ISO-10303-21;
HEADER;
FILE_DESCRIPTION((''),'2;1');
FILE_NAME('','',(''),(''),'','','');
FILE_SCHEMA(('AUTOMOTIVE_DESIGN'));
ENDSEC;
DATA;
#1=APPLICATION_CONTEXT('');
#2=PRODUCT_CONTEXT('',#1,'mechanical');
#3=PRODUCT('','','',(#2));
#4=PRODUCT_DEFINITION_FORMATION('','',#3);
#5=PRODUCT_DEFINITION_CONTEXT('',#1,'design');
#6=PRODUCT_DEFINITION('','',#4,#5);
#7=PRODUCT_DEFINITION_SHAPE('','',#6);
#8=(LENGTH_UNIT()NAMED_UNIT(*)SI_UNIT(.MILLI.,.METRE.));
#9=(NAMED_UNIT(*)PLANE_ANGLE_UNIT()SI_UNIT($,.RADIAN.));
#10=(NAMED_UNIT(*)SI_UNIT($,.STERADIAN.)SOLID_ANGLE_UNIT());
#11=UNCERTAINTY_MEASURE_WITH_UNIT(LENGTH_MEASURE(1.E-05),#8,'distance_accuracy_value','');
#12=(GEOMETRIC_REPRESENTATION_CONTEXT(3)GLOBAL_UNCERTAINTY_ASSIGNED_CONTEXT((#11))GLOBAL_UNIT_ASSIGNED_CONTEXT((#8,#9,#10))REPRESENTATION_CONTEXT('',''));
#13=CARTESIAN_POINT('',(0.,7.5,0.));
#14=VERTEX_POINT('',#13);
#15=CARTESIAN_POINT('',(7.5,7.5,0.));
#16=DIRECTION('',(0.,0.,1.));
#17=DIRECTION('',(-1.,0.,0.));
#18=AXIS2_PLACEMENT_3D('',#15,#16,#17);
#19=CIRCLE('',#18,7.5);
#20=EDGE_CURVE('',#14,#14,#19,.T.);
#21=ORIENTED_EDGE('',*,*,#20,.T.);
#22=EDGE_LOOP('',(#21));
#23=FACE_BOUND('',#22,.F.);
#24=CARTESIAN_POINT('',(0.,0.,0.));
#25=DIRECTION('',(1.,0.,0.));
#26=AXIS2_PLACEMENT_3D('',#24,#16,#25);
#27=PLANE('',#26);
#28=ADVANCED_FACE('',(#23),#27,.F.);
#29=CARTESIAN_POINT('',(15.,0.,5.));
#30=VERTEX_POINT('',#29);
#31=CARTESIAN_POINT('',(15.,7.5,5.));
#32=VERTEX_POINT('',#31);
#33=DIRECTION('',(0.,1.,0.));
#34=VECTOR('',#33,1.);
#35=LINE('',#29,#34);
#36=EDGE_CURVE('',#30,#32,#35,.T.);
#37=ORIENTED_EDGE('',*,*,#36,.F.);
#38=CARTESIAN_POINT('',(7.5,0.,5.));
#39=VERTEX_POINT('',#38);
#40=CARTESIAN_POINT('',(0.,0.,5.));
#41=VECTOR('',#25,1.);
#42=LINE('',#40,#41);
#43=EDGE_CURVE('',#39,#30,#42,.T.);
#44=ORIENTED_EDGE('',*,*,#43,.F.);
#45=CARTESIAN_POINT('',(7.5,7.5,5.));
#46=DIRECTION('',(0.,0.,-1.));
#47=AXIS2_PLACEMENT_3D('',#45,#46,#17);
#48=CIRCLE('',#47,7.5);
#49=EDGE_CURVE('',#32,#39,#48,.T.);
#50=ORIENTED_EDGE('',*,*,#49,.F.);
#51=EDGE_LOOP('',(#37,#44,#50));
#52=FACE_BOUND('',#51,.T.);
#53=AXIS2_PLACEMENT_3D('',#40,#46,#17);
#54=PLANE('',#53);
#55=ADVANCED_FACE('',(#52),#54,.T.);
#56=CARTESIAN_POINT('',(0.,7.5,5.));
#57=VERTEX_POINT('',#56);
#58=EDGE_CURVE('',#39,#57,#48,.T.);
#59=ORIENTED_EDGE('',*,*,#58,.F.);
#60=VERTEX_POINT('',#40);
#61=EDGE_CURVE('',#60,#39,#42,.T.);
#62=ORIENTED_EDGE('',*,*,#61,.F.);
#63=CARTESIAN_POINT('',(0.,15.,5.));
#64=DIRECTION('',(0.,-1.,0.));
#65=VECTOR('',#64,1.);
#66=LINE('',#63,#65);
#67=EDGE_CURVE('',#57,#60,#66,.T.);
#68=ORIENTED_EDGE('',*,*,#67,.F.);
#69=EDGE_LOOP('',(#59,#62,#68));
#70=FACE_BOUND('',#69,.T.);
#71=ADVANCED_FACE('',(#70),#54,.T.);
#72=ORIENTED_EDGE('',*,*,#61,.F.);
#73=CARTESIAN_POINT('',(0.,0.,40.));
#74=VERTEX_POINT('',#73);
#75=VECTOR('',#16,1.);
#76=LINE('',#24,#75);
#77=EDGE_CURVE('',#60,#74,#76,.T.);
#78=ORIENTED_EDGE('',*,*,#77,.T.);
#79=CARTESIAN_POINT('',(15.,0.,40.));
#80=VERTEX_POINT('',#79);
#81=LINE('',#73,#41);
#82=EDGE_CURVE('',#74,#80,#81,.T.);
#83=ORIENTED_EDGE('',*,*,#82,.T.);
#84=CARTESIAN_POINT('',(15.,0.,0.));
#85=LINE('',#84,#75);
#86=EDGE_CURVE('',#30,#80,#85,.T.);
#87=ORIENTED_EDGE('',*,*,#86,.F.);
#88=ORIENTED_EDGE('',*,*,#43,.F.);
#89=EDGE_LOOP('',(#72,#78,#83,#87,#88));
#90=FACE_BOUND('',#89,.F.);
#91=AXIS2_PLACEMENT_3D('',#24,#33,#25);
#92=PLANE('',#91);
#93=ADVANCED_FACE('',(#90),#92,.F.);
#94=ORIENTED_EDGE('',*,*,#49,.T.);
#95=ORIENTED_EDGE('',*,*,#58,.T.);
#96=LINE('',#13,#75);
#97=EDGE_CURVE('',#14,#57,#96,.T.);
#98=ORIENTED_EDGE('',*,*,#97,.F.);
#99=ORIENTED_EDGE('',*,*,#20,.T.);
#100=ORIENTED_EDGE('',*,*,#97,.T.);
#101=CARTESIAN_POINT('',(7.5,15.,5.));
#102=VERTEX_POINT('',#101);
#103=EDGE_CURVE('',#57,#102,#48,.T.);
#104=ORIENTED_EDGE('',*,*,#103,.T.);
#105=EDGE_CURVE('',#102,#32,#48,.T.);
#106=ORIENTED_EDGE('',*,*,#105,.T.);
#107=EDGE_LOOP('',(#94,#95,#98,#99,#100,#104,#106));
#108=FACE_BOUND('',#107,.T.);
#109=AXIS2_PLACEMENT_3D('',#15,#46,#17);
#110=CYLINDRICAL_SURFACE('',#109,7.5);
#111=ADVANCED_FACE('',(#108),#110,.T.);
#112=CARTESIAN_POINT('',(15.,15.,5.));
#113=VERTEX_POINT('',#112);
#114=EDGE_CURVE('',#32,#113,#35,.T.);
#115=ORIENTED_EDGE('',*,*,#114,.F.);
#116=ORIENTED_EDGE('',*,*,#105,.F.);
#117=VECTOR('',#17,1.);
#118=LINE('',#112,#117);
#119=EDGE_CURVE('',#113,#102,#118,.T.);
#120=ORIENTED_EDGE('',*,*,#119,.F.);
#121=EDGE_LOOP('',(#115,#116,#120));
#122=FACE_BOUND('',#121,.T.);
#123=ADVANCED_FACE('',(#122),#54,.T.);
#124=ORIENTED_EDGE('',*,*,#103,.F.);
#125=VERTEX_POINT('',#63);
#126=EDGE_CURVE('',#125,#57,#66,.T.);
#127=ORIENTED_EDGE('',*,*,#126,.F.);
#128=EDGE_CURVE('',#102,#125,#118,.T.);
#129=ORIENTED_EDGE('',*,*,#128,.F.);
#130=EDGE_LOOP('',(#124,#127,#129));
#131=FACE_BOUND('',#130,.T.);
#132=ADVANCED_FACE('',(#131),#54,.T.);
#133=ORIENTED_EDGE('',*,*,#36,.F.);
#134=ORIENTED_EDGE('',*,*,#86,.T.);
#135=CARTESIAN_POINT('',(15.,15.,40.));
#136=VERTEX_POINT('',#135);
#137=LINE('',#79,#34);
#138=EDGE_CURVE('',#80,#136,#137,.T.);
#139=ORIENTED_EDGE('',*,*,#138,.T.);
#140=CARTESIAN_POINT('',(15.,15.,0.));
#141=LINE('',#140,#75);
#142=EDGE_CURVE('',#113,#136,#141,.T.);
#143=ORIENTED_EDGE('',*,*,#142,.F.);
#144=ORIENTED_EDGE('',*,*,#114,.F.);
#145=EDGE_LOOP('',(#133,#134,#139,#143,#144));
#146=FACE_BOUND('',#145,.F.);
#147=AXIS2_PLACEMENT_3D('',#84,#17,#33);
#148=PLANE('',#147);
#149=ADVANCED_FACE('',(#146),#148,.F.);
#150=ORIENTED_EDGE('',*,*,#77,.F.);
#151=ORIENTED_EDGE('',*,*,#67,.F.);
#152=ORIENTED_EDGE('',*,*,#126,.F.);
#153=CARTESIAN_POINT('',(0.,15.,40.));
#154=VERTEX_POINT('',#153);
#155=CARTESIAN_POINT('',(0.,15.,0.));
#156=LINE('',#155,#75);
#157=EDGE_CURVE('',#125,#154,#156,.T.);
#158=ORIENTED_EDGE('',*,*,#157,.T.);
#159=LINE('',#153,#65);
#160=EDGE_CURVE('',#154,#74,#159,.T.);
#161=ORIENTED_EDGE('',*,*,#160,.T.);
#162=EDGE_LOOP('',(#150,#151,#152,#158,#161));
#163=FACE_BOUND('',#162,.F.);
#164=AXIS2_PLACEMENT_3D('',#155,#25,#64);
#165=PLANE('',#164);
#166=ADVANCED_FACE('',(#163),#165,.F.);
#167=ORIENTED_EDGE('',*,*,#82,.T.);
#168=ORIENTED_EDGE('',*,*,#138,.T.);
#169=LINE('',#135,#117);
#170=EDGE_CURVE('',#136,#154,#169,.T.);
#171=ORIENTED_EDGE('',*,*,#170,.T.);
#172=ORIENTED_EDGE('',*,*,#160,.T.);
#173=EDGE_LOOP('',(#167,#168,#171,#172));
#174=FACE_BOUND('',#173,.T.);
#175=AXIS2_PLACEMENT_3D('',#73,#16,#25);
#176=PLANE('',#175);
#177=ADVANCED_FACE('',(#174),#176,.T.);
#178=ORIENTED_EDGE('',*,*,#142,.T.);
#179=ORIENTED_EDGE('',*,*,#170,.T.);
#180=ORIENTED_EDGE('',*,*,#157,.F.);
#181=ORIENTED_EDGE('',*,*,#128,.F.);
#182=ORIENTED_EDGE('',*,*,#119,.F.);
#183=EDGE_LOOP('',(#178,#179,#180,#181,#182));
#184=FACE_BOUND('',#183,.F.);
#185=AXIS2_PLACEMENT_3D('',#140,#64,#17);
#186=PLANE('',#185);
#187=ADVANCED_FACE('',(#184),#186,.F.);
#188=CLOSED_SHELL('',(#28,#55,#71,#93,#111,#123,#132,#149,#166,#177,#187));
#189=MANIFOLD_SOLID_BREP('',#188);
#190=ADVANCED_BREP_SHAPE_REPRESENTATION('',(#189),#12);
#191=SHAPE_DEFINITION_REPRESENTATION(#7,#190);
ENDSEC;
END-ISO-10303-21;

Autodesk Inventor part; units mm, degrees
ref_plane "YZ Plane" through (0, 0, 0) normal (1, 0, 0) x (0, 1, 0)
ref_plane "XZ Plane" through (0, 0, 0) normal (0, 1, 0) x (-1, 0, 0)
ref_plane "XY Plane" through (0, 0, 0) normal (0, 0, 1) x (1, 0, 0)
sketch "Sketch1" plane through (0, 0, 0) normal (0, 0, 1) x (1, 0, 0)
  line L0 (0, 0) -> (15, 0)
  line L1 (15, 0) -> (15, 15)
  line L2 (15, 15) -> (0, 15)
  line L3 (0, 15) -> (0, 0)
  dimension "d0" = 15
  dimension "d1" = 15
extrude "Extrusion1" add sketch "Sketch1" along normal blind 40
sketch "Sketch2" plane through (0, 0, 0) normal (0, 0, -1) x (-1, 0, 0)
  circle A0 centre (-7.5, 7.5) radius 7.5
  line L0 (-15, 15) -> (0, 15)
  line L1 (0, 15) -> (0, 0)
  line L2 (0, 0) -> (-15, 0)
  line L3 (-15, 0) -> (-15, 15)
  line L4 (-15, 15) -> (0, 15) projected
  line L5 (0, 0) -> (-15, 0) projected
  line L6 (0, 15) -> (0, 0) projected
  line L7 (-15, 0) -> (-15, 15) projected
extrude "Extrusion2" cut sketch "Sketch2" against normal blind 5 contours L1 L2 A0 | A0 L0 L1 | A0 L3 L0 | L2 L3 A0
properties part number "EF-Arm"
